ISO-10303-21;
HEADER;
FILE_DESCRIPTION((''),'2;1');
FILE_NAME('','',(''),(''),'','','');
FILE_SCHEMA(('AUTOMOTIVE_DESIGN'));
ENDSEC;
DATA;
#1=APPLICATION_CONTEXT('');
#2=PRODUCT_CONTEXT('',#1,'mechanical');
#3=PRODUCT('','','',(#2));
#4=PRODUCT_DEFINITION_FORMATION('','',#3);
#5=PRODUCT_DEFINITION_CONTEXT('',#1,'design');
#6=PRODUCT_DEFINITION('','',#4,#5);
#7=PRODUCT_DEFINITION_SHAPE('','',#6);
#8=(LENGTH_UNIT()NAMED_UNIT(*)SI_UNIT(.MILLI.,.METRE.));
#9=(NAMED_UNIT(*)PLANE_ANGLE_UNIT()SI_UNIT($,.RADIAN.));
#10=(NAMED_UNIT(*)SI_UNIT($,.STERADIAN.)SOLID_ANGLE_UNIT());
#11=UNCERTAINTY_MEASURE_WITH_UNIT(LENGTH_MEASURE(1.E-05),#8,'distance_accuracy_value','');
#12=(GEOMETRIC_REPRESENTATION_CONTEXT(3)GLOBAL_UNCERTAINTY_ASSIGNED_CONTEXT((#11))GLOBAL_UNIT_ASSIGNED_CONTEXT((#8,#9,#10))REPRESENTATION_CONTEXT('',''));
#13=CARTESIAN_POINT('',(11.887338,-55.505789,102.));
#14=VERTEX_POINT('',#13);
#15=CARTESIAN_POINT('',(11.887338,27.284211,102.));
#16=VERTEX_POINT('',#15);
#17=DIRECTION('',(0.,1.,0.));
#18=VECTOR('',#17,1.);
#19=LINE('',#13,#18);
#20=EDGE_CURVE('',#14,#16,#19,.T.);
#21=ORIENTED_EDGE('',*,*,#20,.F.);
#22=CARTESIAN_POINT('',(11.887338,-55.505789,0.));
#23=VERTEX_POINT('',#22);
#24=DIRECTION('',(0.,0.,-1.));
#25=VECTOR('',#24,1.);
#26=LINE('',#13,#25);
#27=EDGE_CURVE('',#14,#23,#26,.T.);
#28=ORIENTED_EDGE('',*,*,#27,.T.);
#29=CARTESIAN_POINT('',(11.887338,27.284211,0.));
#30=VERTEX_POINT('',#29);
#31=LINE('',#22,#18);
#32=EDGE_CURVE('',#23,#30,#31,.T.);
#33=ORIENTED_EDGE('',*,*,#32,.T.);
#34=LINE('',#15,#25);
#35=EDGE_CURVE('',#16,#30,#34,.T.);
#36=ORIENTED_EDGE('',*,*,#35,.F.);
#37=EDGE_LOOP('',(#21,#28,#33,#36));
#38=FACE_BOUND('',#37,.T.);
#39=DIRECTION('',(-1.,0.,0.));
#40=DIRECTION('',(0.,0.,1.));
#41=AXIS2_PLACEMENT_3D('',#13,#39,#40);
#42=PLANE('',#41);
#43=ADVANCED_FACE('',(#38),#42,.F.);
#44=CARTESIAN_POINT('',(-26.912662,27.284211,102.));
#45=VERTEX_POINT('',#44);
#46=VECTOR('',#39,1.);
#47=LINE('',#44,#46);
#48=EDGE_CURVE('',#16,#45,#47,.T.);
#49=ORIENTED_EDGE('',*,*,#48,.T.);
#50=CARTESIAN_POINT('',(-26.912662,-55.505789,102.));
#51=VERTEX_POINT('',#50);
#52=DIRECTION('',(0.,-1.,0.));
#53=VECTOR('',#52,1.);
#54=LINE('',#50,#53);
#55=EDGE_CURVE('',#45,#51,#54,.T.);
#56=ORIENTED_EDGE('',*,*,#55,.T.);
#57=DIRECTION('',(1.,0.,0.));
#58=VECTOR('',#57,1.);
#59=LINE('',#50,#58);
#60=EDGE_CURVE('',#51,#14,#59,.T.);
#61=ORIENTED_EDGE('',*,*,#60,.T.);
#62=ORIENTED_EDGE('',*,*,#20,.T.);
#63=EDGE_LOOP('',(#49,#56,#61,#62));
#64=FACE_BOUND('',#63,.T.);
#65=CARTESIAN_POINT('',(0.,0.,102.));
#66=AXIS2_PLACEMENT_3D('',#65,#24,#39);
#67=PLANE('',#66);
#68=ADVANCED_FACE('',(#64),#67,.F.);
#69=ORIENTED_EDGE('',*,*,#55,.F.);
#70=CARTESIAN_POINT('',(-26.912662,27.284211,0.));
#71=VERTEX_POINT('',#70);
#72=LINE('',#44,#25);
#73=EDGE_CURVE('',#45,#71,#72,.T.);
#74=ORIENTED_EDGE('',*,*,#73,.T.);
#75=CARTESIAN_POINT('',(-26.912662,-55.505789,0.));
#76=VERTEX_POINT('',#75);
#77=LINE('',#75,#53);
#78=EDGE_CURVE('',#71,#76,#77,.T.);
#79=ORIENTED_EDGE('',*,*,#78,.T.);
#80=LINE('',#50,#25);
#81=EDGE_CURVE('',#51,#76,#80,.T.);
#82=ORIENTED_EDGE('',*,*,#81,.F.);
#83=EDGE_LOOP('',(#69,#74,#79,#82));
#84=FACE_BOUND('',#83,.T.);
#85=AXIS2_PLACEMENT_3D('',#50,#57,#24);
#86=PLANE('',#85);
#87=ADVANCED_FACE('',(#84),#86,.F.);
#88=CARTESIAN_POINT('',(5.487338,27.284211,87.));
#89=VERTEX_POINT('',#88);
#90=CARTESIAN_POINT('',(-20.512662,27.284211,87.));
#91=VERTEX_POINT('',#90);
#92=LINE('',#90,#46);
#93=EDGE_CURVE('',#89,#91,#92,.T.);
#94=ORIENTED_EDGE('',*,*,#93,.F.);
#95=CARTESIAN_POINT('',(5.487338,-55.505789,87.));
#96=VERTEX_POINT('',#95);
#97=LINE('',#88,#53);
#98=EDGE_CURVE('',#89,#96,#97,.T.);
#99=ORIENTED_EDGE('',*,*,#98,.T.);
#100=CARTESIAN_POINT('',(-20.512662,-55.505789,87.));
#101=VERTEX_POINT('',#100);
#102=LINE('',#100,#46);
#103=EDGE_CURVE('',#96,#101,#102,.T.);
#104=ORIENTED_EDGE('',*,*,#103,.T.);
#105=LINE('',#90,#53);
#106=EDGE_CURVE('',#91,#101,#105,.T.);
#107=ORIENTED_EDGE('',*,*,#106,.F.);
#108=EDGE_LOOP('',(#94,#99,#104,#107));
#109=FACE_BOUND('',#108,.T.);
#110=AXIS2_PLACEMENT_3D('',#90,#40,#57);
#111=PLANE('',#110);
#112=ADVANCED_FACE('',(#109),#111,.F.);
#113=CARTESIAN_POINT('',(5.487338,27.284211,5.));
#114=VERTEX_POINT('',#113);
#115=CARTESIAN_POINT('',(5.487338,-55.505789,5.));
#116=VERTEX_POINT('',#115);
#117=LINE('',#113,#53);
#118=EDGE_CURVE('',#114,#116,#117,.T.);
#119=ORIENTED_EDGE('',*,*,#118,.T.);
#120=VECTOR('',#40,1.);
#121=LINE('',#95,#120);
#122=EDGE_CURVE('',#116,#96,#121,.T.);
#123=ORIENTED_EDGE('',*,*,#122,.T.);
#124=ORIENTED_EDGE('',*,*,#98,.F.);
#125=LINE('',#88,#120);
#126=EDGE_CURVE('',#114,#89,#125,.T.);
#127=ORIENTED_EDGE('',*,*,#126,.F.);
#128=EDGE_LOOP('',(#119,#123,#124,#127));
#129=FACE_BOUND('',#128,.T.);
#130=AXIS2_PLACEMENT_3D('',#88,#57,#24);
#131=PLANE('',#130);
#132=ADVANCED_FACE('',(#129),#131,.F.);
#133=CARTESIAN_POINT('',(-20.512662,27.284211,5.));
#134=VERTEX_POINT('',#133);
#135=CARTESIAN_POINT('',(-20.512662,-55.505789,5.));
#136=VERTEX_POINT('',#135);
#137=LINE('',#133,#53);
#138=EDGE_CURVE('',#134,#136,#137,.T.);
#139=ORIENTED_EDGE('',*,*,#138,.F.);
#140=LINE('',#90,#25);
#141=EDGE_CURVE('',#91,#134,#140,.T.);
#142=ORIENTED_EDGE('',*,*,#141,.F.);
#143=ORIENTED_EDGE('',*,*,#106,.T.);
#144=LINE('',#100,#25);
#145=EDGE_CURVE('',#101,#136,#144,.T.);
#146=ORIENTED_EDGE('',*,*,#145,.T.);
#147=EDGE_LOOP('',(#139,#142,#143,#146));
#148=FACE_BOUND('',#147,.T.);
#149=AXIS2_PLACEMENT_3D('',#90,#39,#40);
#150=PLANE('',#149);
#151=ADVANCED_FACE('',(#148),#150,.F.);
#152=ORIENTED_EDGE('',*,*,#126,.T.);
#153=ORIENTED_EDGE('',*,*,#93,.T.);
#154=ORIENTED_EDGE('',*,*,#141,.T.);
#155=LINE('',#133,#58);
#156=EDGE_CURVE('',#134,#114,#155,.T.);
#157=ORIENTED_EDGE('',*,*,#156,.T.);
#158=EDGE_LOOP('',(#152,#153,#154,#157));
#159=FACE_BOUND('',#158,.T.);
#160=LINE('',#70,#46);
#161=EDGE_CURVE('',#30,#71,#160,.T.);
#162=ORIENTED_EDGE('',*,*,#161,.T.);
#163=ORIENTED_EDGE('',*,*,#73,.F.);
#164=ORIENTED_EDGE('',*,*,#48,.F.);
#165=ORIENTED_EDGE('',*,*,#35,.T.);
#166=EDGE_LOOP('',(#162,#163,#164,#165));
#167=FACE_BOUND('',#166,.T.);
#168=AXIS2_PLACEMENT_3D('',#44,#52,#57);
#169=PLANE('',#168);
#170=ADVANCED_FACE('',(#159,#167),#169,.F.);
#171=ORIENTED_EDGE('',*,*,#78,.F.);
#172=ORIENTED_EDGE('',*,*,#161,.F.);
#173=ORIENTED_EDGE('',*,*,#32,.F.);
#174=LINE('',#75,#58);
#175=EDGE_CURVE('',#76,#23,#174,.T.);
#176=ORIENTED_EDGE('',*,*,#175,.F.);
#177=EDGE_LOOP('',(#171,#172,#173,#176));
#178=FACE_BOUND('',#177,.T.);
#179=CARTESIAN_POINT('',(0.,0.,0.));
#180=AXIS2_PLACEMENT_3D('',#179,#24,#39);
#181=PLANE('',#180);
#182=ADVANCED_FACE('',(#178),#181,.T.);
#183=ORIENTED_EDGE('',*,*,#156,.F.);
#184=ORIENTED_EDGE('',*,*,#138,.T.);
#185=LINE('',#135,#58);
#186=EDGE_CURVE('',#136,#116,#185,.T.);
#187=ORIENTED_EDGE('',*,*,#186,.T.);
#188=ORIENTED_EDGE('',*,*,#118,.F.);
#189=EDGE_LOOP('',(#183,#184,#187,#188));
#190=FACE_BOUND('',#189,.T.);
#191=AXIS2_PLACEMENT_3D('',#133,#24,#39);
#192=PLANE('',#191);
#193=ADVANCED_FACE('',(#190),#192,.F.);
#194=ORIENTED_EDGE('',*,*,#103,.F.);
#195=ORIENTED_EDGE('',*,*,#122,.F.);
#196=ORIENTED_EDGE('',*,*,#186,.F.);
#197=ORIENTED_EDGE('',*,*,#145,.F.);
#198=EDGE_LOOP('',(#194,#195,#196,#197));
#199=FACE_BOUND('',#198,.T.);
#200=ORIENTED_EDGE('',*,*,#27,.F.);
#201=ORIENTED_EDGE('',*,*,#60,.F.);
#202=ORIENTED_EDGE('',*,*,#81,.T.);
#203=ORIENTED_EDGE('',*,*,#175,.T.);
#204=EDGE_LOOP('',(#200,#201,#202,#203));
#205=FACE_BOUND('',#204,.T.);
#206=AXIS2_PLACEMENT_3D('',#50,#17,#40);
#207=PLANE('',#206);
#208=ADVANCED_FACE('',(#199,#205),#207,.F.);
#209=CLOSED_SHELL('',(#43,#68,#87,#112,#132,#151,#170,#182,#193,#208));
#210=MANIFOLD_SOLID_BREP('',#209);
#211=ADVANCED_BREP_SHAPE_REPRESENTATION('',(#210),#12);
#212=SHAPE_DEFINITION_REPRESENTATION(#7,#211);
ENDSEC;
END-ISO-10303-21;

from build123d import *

# Parameters (mm, degrees)
SKETCH1_W           = 38.8
SKETCH1_H           = 82.79
BOSS_EXTRUDE1_DEPTH = 102
SKETCH2_W           = 26
SKETCH2_H           = 82
CUT_EXTRUDE1_DEPTH  = 135.098752639


with BuildPart() as part:
    # Sketch1 → Boss-Extrude1 (new body)
    with BuildSketch(Plane.XY):
        with Locations((-7.512661692, -14.110789474)):
            Rectangle(SKETCH1_W, SKETCH1_H)
    extrude(amount=BOSS_EXTRUDE1_DEPTH)

    # Sketch2 → Cut-Extrude1 (cut, through all)
    with BuildSketch(Plane.XZ.offset(55.505789474)):
        with Locations((-7.512661692, 46)):
            Rectangle(SKETCH2_W, SKETCH2_H)
    extrude(amount=-CUT_EXTRUDE1_DEPTH, mode=Mode.SUBTRACT)


solid = part.part
